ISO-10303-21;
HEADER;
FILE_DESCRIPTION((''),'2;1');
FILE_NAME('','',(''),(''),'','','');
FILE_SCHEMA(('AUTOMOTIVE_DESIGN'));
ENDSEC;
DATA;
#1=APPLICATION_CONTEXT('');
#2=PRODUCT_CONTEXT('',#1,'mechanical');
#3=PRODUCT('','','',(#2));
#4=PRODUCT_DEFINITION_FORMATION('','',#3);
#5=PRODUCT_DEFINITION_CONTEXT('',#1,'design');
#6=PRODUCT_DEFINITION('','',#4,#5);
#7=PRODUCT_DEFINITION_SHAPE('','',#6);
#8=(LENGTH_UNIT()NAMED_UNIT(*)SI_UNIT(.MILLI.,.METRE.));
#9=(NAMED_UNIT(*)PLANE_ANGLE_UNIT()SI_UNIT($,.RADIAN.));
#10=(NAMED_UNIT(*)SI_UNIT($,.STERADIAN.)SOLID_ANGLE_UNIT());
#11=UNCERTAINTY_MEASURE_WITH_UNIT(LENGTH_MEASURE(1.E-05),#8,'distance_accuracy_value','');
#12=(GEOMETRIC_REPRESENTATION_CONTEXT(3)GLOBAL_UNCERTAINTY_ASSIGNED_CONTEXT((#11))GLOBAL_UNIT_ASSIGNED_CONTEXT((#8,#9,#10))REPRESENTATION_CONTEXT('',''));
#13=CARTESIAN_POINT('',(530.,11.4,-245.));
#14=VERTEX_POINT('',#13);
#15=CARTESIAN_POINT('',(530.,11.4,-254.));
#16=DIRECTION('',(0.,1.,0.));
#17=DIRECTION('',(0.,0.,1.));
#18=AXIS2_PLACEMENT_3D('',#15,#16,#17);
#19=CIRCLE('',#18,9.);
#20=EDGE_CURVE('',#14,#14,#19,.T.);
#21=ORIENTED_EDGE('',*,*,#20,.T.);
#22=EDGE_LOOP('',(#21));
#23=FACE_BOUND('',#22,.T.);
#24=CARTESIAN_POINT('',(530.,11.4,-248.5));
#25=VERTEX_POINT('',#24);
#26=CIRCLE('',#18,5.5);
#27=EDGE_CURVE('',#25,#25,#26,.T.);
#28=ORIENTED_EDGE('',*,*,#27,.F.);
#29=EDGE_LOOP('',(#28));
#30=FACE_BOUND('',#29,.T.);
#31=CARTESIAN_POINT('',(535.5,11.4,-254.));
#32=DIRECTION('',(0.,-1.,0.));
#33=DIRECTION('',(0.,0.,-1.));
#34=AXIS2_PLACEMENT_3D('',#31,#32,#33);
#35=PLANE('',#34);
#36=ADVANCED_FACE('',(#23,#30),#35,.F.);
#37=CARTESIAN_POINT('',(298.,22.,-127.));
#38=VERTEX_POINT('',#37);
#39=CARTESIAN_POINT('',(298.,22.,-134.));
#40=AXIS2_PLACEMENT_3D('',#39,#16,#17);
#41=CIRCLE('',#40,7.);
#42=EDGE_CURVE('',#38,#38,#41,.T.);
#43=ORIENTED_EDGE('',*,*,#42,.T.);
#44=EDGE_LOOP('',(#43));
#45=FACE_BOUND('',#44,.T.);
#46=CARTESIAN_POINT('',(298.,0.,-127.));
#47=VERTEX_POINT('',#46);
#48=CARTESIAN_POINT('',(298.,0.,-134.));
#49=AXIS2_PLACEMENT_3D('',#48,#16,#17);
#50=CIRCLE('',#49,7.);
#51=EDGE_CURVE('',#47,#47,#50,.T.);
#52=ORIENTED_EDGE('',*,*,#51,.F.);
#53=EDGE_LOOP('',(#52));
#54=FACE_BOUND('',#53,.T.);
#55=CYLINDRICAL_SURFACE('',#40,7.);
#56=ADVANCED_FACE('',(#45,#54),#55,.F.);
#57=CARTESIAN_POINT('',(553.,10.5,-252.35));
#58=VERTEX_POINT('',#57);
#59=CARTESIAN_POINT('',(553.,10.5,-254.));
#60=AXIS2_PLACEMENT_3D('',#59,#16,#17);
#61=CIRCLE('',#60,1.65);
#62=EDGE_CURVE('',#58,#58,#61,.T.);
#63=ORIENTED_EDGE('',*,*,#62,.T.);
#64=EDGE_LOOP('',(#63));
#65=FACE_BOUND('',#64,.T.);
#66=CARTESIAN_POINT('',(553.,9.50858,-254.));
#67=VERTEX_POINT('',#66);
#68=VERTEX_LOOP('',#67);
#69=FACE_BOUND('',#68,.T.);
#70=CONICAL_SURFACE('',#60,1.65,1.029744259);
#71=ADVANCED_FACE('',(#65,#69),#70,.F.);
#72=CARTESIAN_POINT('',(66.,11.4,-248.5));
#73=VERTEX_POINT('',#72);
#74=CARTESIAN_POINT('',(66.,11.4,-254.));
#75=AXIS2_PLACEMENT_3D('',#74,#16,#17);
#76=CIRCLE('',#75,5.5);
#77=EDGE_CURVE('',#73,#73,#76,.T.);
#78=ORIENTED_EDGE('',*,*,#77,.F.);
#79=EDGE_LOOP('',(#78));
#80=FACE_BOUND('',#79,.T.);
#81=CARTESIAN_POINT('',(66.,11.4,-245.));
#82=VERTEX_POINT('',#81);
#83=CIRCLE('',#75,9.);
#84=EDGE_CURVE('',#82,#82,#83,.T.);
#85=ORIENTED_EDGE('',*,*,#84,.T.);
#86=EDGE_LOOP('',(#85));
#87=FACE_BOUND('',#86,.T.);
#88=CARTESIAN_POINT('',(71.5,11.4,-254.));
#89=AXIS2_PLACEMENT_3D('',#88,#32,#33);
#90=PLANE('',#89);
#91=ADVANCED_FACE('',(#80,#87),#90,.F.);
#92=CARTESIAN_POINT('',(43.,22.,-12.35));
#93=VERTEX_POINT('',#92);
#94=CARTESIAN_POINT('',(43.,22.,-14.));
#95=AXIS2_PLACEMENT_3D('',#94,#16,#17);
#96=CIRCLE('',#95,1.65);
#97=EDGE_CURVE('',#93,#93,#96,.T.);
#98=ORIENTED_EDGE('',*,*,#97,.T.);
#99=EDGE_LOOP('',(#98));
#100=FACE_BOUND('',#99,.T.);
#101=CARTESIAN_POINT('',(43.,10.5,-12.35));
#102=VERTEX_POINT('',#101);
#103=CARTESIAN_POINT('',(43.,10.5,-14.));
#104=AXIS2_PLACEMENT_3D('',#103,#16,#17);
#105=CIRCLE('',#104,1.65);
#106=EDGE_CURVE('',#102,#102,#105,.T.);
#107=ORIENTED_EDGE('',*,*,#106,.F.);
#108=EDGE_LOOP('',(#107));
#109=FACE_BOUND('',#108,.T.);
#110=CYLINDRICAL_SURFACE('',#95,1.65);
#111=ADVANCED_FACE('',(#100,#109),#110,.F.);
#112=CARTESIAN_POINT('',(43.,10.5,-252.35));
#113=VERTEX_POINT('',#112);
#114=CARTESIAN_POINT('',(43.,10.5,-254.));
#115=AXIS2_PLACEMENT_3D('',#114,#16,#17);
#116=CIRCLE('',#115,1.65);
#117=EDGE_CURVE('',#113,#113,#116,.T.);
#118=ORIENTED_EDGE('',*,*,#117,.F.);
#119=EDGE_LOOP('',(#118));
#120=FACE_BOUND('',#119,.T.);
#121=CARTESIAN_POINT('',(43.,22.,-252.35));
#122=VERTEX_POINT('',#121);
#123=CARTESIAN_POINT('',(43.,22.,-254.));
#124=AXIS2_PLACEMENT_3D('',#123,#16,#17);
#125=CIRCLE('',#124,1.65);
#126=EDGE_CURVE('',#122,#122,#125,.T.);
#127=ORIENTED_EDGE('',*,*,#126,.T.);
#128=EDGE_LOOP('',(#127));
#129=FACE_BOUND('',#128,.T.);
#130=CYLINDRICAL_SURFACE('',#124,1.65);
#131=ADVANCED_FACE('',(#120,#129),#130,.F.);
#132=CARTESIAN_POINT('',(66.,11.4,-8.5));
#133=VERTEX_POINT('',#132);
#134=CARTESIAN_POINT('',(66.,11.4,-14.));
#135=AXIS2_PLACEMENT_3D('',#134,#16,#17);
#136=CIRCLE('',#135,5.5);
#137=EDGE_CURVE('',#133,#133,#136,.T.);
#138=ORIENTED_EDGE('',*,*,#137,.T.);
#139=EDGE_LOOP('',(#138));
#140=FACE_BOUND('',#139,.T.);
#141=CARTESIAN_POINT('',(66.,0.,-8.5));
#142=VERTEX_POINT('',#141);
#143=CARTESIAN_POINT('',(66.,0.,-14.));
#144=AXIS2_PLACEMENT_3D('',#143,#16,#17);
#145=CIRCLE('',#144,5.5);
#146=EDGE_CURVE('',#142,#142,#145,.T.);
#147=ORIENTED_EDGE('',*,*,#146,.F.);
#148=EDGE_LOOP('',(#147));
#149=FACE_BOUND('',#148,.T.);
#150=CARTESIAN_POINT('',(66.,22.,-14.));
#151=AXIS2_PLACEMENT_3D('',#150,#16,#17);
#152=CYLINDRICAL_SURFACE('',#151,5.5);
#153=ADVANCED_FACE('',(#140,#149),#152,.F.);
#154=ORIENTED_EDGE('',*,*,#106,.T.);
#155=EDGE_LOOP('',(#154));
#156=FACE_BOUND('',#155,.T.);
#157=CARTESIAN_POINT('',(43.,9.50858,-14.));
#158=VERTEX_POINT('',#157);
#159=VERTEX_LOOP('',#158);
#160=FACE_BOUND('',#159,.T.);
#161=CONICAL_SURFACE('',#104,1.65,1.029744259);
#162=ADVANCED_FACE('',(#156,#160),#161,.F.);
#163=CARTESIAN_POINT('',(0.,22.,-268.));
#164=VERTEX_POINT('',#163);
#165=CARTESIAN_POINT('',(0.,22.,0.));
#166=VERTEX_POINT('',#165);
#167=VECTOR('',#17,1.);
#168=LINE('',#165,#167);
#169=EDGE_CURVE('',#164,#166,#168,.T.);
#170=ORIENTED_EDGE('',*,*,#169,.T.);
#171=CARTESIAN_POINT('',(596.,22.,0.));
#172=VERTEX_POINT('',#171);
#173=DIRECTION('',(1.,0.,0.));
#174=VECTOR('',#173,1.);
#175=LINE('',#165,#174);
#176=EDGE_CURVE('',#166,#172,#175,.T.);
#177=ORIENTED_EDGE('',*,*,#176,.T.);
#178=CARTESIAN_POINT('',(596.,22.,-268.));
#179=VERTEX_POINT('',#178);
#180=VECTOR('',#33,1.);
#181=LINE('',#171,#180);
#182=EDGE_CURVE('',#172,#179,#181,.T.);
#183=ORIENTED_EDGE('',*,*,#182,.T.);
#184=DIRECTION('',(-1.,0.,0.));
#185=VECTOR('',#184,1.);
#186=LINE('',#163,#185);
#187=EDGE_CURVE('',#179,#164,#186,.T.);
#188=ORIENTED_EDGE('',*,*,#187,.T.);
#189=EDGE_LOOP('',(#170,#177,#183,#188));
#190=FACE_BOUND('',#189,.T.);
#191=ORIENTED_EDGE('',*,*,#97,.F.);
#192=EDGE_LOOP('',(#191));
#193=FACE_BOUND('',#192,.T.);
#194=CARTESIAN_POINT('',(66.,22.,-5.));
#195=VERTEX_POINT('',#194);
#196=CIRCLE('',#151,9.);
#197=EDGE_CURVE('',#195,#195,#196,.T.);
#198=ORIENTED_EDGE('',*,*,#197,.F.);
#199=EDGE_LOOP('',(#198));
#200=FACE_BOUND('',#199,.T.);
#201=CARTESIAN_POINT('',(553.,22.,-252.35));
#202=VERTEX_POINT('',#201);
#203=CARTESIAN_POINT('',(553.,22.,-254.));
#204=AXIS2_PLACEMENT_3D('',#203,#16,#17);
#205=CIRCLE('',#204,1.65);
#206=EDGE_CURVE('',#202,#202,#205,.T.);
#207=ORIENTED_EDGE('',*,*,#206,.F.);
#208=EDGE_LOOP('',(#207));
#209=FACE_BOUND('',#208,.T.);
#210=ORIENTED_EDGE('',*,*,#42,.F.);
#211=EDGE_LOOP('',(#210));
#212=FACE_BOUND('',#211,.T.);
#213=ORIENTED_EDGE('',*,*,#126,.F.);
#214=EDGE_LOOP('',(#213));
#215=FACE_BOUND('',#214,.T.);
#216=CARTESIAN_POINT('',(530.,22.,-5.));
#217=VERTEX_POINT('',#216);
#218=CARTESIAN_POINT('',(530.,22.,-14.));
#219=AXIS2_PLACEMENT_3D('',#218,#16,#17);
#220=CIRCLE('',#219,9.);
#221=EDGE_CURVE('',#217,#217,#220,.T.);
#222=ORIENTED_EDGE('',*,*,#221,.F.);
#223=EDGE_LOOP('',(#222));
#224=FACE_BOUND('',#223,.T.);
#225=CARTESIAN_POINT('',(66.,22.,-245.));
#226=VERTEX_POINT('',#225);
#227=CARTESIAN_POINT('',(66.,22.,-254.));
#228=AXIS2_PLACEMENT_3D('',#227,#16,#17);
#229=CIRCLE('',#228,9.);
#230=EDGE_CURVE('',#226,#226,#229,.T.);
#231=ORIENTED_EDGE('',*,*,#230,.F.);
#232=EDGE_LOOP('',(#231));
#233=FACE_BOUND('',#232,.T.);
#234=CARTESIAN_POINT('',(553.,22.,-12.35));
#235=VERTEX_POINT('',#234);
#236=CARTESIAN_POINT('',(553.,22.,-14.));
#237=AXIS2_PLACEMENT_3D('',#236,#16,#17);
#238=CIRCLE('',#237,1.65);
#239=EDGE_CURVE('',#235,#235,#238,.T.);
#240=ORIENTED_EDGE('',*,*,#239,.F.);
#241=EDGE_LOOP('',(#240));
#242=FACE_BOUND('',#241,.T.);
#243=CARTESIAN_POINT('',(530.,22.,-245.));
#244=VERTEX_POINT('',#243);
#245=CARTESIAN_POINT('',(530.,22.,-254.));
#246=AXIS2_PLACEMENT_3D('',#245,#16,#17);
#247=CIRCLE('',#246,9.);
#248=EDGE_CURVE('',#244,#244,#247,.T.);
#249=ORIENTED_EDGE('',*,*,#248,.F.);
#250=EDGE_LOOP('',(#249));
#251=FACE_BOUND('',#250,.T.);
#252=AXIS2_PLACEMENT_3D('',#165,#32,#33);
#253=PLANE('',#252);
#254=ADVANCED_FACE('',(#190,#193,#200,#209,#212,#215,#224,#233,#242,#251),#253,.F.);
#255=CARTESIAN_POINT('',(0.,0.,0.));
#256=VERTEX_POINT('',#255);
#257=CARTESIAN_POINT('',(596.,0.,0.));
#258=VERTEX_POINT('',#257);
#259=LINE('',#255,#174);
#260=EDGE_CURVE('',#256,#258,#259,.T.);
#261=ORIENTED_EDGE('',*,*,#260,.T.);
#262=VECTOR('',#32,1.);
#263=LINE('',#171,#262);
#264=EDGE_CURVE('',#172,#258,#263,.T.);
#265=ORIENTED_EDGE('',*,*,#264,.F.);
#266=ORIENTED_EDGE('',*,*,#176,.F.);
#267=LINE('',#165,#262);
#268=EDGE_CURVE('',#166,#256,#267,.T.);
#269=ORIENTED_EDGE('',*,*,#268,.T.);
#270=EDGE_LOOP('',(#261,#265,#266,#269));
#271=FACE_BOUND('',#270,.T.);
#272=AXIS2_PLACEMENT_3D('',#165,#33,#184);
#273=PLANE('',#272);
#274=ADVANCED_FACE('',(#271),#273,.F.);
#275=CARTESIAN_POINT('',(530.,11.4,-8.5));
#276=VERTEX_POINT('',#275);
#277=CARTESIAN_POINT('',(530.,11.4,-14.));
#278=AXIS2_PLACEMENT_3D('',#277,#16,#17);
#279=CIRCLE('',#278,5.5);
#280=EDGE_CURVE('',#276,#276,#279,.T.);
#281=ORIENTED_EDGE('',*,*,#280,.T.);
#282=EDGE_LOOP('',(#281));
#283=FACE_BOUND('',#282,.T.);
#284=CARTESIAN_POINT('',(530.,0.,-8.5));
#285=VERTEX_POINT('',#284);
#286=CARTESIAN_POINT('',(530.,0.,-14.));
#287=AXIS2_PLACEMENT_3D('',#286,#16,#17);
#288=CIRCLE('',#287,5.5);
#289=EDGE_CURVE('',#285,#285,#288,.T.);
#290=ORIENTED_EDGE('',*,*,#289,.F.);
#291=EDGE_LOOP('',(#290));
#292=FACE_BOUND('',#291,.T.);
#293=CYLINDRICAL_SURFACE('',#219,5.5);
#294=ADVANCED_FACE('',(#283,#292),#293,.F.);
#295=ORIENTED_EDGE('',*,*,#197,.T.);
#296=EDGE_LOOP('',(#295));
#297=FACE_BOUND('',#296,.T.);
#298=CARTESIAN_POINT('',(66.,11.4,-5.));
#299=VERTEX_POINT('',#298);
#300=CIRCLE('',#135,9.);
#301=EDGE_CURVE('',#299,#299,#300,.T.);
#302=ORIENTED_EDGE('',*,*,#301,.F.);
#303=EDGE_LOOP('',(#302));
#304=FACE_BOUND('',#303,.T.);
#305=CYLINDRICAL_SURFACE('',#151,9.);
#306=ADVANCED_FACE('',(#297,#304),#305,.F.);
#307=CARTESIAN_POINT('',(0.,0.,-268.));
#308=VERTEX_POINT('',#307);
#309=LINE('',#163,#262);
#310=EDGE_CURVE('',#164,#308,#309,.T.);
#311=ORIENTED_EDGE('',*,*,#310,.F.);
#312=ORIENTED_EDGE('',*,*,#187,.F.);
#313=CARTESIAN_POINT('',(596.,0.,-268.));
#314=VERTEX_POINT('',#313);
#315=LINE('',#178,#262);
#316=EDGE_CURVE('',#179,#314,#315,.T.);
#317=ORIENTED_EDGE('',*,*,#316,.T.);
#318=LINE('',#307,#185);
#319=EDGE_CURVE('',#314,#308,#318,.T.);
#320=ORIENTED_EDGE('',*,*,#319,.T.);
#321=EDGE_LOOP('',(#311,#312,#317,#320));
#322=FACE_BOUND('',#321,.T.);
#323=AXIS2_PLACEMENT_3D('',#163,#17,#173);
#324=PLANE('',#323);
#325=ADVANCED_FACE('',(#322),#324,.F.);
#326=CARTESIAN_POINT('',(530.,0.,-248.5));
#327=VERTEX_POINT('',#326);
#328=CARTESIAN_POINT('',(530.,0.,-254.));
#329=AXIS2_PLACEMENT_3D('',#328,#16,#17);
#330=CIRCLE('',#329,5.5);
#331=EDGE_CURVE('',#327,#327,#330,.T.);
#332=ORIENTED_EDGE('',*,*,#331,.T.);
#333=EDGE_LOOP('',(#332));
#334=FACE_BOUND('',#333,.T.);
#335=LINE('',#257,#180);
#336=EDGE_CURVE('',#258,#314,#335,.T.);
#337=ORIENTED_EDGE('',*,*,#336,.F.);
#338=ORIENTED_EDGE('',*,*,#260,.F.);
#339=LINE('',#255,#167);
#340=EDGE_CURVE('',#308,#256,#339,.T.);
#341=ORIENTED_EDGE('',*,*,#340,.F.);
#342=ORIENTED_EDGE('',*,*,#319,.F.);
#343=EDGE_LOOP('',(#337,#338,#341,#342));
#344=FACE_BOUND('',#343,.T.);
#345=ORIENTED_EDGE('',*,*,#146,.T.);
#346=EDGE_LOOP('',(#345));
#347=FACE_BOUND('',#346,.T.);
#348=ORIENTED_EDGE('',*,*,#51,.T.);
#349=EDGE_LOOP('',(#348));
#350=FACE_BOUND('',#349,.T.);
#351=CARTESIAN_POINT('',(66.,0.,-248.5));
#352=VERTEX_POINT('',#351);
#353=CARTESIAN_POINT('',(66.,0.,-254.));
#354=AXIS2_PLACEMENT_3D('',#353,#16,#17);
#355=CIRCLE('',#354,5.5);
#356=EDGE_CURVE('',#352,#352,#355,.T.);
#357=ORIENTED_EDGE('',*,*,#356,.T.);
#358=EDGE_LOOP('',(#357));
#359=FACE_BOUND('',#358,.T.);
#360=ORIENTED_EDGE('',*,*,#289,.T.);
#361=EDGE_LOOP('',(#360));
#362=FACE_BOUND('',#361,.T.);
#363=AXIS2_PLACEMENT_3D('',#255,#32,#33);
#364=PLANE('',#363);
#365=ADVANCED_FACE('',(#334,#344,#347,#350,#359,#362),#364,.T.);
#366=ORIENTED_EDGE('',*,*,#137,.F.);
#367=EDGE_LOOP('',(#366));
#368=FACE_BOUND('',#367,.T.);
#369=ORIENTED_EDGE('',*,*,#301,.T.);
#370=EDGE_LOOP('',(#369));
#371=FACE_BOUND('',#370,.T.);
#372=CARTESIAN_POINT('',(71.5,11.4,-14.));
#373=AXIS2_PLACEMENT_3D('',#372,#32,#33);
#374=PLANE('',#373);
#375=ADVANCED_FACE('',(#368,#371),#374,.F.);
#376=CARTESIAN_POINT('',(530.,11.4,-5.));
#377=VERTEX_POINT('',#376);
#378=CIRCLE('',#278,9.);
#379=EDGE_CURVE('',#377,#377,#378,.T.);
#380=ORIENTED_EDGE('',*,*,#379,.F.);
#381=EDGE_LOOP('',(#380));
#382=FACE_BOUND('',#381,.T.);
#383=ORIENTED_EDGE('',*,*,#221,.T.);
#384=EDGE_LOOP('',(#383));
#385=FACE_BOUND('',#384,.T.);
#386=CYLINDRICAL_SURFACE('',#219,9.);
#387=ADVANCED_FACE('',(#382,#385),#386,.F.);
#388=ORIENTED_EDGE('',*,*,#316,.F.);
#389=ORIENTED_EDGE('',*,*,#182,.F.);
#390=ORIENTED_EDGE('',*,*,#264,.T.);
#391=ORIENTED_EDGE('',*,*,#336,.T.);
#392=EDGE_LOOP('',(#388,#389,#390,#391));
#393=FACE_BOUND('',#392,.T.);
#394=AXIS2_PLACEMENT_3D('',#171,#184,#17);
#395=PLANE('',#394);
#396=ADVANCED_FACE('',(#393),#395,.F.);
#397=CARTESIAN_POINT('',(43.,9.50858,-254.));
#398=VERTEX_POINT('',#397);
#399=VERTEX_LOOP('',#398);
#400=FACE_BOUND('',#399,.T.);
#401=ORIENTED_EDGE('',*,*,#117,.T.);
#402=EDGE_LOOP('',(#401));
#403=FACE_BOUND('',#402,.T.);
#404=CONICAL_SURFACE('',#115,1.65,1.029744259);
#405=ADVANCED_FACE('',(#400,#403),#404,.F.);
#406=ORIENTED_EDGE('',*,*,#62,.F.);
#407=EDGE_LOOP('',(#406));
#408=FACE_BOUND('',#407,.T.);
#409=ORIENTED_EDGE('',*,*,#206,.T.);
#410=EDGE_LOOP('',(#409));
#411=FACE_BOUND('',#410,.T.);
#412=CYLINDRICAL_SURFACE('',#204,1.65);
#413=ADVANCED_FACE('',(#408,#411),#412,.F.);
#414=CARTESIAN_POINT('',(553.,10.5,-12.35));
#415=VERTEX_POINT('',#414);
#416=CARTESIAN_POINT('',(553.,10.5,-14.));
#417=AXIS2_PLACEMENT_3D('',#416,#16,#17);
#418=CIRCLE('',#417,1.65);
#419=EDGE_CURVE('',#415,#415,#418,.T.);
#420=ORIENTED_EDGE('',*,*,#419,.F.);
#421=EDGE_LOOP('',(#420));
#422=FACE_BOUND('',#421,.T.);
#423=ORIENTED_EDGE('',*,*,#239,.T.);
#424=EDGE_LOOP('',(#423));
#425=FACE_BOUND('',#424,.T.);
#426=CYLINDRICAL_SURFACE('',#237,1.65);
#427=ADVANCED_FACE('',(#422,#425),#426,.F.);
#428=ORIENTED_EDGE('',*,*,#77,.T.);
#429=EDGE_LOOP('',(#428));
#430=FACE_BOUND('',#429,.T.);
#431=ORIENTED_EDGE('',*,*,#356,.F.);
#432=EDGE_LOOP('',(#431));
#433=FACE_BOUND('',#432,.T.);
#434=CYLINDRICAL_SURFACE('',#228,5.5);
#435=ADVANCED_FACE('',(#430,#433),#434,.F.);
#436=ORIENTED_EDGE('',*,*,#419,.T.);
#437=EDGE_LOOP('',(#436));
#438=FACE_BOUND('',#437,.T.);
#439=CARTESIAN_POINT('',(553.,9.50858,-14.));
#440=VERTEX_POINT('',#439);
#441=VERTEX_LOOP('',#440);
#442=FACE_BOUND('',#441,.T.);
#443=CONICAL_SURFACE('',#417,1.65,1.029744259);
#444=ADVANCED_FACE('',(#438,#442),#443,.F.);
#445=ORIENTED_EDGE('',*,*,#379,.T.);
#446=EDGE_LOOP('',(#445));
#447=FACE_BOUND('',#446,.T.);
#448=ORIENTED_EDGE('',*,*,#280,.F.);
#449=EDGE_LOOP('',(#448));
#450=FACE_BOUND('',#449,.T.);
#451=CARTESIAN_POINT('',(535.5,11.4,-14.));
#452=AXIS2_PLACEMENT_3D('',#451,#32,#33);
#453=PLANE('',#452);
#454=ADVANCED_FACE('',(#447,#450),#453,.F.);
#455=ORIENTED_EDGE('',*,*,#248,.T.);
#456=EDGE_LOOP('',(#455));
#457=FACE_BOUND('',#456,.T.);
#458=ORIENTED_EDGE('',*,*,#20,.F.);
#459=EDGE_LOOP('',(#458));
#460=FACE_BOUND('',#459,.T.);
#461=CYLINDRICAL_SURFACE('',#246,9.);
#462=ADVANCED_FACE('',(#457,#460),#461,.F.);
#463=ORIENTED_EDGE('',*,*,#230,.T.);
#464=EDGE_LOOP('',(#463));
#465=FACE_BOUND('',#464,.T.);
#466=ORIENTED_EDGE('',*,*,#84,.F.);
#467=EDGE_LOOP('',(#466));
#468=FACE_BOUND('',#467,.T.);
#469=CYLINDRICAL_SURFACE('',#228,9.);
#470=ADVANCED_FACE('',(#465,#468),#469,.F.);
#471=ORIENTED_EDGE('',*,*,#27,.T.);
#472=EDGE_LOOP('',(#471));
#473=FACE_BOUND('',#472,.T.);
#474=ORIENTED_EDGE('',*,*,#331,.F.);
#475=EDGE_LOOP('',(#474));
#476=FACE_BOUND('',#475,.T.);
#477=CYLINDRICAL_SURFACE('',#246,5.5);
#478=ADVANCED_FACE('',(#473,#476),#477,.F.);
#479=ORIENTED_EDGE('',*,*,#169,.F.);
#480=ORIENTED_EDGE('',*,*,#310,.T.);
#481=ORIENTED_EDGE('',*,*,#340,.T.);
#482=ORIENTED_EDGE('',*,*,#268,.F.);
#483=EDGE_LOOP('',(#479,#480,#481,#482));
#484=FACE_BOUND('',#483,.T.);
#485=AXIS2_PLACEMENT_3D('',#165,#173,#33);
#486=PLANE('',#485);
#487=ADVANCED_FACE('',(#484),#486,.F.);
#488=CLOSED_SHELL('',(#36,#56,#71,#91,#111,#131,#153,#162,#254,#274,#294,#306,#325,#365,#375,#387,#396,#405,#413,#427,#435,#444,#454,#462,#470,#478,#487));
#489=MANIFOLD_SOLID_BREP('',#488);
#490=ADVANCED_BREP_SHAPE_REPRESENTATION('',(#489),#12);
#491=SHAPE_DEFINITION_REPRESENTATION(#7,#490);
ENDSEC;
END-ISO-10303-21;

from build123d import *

# Parameters (mm, degrees)
SZKIC1_W                                           = 596
SZKIC1_H                                           = 268
DODANIE_WYCI_GNI_CIE1_DEPTH                        = 22
POG_BIENIE_WALCOWE_POD_M10_WKR_T_Z_BEM_D           = 11
POG_BIENIE_WALCOWE_POD_M10_WKR_T_Z_BEM_CBORE_D     = 18
POG_BIENIE_WALCOWE_POD_M10_WKR_T_Z_BEM_CBORE_DEPTH = 10.6
OTW_R_GWINTOWANY_M41_D                             = 3.3
OTW_R_GWINTOWANY_M41_DEPTH                         = 11.5
OTW_R_GWINTOWANY_M41_TIP                           = 0.991420021
OTW_R_GWINTOWANY_M161_D                            = 14


with BuildPart() as part:
    # Szkic1 → Dodanie-wyciągnięcie1 (new body)
    with BuildSketch(Plane(origin=(0, 0, 0), x_dir=(1, 0, 0), z_dir=(0, 1, 0))):
        with Locations((298, 134)):
            Rectangle(SZKIC1_W, SZKIC1_H)
    extrude(amount=DODANIE_WYCI_GNI_CIE1_DEPTH)

    # Pogłębienie walcowe pod M10 Wkręt z łbem walcowym z gniazdem sześciokątnym1 (through all)
    with Locations(Plane(origin=(66, 22, -254), x_dir=(0, 0, 1), z_dir=(0, 1, 0))):
        with Locations((0, 0), (240, 0), (240, 464), (0, 464)):
            CounterBoreHole(POG_BIENIE_WALCOWE_POD_M10_WKR_T_Z_BEM_D / 2, POG_BIENIE_WALCOWE_POD_M10_WKR_T_Z_BEM_CBORE_D / 2, POG_BIENIE_WALCOWE_POD_M10_WKR_T_Z_BEM_CBORE_DEPTH)

    # Otwór gwintowany M41
    with Locations(Plane(origin=(43, 22, -14), x_dir=(0, 0, 1), z_dir=(0, 1, 0))):
        with Locations((0, 0), (-240, 0), (-240, 510), (0, 510)):
            Hole(OTW_R_GWINTOWANY_M41_D / 2, depth=OTW_R_GWINTOWANY_M41_DEPTH)
            with Locations((0, 0, -(OTW_R_GWINTOWANY_M41_DEPTH + OTW_R_GWINTOWANY_M41_TIP / 2))):  # 118° drill point
                Cone(0, OTW_R_GWINTOWANY_M41_D / 2, OTW_R_GWINTOWANY_M41_TIP, mode=Mode.SUBTRACT)

    # Otwór gwintowany M161 (through all)
    with Locations(Plane(origin=(298, 22, -134), x_dir=(0, 0, 1), z_dir=(0, 1, 0))):
        with Locations((0, 0)):
            Hole(OTW_R_GWINTOWANY_M161_D / 2)


solid = part.part
